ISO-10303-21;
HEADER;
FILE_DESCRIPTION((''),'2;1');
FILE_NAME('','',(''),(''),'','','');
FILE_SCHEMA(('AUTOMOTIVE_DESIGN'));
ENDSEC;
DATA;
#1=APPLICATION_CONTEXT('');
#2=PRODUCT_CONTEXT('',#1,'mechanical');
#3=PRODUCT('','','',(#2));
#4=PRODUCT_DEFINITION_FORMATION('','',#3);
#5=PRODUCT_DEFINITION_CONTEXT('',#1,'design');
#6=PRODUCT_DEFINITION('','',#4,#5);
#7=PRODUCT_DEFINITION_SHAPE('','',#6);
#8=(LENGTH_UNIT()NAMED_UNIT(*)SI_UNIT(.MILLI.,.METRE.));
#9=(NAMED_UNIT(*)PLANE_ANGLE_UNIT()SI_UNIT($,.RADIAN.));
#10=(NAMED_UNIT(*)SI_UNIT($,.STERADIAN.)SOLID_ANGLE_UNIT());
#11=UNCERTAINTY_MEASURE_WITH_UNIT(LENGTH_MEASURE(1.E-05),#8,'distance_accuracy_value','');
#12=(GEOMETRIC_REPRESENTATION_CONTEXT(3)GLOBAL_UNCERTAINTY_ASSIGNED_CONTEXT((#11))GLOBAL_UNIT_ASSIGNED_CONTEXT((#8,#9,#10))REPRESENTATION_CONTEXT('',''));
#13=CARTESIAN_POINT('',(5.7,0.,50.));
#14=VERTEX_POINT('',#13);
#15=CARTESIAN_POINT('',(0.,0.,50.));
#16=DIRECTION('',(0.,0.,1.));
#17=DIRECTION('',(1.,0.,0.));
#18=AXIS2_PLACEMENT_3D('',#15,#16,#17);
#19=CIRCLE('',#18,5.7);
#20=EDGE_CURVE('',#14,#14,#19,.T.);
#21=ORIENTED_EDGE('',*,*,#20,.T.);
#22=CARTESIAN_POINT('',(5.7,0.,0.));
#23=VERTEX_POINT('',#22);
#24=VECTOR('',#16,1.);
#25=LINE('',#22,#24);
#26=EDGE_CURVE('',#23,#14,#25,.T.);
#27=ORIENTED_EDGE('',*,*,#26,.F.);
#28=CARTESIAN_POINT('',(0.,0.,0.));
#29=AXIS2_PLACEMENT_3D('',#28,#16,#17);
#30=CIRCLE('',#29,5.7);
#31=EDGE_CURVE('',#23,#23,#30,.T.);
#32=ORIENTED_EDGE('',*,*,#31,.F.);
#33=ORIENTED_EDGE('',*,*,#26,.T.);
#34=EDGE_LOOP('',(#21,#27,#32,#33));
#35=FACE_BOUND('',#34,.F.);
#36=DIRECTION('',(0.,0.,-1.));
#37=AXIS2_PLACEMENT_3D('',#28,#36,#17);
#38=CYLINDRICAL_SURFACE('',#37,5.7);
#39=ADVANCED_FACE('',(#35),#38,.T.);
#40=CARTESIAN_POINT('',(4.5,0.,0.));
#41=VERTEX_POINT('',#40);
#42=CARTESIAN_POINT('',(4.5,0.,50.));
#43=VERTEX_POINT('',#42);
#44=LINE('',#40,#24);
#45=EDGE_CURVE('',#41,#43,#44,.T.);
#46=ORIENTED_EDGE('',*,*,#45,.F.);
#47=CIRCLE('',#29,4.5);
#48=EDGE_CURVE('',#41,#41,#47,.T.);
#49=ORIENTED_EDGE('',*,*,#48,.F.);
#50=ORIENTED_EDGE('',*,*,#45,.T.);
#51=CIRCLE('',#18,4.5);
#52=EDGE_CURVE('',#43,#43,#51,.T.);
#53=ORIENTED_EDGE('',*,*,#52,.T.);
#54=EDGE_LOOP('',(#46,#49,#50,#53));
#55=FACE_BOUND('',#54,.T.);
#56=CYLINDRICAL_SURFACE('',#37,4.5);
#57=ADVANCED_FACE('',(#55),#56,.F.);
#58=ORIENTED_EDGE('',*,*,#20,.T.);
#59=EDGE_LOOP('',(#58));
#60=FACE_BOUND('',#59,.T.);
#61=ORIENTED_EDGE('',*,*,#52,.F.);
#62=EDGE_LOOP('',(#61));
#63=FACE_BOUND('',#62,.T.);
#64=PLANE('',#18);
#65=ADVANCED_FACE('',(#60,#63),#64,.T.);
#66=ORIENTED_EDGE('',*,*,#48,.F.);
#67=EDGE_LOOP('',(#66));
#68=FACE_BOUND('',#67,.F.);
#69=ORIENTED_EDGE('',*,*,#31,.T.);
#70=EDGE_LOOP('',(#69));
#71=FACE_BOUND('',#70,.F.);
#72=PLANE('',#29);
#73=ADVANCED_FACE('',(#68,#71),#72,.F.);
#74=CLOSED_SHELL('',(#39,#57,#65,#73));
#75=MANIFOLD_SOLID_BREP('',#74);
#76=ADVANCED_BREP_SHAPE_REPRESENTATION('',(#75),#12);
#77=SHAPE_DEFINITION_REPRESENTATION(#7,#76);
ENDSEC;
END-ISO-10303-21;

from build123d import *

# Parameters (mm, degrees)
CYLINDER_R     = 4.5
CYLINDER_DEPTH = 50
THICKNESS_T    = 1.2


with BuildPart() as part:
    # Cylinder → Cylinder (new body)
    with BuildSketch(Plane.XY):
        Circle(CYLINDER_R)
    extrude(amount=CYLINDER_DEPTH)

    # Thickness
    thickness_openings = [part.faces().sort_by_distance(p)[0] for p in [
        (0, 0, 0),
        (0, 0, 50),
    ]]
    offset(amount=THICKNESS_T, openings=thickness_openings)


solid = part.part
